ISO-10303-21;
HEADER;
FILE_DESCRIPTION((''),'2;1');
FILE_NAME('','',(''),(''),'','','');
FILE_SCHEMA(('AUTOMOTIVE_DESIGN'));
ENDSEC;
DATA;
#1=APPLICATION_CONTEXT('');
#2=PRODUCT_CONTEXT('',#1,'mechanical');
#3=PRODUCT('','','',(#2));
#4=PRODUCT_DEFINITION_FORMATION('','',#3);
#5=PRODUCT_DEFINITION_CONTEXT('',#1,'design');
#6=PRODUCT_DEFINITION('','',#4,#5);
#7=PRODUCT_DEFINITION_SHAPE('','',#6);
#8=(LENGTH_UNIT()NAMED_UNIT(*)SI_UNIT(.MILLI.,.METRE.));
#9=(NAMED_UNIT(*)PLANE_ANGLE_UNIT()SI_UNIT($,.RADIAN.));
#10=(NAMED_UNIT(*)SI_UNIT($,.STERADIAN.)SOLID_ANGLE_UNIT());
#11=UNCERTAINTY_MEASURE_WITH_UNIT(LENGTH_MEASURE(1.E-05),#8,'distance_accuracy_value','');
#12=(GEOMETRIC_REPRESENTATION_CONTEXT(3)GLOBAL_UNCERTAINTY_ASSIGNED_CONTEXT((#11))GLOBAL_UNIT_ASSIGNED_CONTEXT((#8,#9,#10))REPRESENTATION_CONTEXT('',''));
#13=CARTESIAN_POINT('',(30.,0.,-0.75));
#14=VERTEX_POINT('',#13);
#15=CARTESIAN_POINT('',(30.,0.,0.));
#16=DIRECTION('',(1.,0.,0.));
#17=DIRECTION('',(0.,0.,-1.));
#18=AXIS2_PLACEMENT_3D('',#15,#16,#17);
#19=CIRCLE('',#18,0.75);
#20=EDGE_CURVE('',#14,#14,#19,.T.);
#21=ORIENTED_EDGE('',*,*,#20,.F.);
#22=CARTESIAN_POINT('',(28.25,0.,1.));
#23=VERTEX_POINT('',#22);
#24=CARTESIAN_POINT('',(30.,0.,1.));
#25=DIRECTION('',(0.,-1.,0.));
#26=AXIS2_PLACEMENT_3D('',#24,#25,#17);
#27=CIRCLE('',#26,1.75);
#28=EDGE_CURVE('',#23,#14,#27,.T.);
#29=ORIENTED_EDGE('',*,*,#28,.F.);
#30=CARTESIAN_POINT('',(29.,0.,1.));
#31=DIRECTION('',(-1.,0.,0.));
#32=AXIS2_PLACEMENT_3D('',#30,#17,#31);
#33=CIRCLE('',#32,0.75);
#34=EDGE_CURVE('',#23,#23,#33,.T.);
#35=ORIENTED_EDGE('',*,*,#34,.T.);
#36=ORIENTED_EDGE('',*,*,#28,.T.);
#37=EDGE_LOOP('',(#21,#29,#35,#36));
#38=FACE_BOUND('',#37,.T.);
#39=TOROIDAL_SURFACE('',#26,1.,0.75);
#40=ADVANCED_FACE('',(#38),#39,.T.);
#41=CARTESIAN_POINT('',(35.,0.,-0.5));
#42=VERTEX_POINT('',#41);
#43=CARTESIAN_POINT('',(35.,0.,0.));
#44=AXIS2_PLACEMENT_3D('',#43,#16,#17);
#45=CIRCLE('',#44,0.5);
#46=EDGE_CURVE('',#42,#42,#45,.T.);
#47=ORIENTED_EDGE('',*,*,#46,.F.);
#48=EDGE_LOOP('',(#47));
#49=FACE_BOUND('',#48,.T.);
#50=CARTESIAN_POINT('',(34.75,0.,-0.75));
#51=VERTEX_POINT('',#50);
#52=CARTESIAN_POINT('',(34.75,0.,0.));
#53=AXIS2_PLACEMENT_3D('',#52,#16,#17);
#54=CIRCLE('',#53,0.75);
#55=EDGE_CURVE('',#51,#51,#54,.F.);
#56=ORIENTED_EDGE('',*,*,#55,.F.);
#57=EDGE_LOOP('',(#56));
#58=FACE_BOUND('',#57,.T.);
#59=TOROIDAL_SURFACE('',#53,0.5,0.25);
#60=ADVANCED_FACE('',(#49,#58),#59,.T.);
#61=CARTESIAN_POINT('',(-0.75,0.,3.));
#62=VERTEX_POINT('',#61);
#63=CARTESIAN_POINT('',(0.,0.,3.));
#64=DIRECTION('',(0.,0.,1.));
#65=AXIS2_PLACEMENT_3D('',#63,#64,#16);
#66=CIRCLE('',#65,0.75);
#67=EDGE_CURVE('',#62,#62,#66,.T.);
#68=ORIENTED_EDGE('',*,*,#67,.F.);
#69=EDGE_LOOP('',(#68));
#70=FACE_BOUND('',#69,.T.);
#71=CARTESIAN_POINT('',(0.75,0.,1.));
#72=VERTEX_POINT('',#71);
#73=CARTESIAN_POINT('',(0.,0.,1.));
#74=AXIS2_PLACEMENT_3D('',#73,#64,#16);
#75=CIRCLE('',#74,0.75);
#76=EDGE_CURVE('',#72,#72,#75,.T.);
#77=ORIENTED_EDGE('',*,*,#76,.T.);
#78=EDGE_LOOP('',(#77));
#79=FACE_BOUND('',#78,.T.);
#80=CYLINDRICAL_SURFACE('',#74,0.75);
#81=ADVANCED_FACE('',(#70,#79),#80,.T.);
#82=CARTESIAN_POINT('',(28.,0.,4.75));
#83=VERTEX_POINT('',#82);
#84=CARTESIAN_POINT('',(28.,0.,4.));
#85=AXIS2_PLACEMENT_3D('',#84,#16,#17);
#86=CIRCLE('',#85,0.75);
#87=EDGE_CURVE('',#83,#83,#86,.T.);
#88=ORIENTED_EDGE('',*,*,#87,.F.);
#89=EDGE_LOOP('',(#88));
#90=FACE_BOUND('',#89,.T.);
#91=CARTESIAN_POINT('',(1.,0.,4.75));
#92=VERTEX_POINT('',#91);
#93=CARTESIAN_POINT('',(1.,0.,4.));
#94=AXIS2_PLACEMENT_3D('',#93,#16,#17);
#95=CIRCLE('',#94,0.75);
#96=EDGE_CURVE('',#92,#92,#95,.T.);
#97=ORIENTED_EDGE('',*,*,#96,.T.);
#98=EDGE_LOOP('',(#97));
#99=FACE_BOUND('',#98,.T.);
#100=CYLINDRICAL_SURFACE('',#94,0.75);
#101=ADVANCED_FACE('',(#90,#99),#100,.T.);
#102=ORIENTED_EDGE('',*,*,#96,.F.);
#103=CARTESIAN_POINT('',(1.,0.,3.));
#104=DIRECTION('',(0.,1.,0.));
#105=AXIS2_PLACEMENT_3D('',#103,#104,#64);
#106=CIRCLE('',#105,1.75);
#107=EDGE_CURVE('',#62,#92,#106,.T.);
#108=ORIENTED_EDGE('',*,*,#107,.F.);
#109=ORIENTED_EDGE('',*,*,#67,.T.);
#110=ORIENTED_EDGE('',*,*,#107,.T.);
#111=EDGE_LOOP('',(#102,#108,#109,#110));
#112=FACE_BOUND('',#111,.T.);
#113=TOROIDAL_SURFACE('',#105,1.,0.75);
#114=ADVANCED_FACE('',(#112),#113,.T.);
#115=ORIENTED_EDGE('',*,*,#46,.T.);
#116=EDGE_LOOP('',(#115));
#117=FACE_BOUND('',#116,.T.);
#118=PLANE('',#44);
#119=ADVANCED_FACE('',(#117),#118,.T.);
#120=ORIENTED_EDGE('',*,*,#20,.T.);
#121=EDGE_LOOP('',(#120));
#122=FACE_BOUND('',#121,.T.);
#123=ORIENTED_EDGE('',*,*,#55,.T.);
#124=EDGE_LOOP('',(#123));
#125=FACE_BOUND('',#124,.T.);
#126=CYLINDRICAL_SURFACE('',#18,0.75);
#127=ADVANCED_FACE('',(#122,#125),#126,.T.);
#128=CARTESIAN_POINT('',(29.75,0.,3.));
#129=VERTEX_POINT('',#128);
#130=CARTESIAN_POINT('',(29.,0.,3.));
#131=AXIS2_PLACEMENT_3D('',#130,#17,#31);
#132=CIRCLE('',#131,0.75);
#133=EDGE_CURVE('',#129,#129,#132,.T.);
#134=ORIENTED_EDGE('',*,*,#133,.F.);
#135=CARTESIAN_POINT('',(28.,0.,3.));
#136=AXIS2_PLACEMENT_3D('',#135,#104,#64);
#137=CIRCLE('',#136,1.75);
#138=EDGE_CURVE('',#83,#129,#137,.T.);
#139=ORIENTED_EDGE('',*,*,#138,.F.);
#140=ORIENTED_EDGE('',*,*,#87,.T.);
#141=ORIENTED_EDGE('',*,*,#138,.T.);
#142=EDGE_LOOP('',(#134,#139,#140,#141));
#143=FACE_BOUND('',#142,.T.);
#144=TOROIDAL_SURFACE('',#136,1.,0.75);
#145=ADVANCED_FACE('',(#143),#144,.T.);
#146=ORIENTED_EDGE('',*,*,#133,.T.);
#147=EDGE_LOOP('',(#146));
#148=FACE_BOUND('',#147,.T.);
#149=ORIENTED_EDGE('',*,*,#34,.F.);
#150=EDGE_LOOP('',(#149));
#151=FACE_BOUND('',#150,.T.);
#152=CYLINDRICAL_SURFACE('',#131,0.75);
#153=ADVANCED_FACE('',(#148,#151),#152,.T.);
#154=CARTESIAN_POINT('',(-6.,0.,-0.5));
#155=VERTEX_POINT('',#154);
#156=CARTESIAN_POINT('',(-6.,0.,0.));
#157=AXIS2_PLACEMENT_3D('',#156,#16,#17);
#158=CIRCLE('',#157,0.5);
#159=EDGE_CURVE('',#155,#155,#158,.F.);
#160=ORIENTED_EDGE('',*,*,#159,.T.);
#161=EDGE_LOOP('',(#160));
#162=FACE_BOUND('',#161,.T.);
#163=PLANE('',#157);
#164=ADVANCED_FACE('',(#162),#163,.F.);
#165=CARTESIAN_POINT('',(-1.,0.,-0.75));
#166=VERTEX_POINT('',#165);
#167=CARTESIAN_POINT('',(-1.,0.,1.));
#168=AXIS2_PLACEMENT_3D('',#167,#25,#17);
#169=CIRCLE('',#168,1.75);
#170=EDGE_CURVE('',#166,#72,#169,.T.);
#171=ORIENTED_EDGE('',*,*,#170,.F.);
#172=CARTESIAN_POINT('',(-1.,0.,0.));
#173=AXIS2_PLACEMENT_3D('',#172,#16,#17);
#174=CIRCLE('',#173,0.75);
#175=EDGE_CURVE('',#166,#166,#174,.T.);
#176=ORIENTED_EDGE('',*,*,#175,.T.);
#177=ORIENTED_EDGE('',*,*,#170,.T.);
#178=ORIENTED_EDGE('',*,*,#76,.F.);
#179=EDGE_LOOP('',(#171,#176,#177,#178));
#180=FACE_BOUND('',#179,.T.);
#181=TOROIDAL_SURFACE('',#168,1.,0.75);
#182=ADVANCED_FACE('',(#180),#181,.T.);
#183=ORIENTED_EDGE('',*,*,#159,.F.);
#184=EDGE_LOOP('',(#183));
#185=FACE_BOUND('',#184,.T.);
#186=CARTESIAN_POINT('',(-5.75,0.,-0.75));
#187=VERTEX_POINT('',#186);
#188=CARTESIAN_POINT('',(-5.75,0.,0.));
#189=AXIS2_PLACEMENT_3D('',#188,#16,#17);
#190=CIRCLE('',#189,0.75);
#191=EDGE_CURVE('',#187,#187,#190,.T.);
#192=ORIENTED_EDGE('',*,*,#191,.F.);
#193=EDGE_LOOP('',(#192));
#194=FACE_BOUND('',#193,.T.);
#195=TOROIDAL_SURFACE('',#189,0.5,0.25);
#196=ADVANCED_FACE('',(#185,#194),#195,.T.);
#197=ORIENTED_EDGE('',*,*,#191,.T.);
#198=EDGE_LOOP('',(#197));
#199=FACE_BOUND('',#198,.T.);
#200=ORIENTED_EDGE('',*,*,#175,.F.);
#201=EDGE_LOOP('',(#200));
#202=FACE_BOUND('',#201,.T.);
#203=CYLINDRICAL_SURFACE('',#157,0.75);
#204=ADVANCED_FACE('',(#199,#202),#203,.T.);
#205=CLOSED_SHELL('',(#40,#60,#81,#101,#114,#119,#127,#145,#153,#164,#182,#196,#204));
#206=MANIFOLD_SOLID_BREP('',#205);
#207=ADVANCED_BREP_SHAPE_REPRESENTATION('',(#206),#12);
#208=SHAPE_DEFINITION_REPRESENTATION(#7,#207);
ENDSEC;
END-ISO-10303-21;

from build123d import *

# Parameters (mm, degrees)
SKETCH3_R = 0.75
FILLET1_R = 0.25


with BuildPart() as part:
    # Sweep1: sweep along a path in Sketch1
    with BuildLine(Plane(origin=(0, 0, 0), x_dir=(1, 0, 0), z_dir=(0, 1, 0))) as sweep1_path:
        Line((-6, 0), (-1, 0))
        ThreePointArc((-1, 0), (-0.292893219, -0.292893219), (0, -1))
        Line((0, -1), (0, -3))
        ThreePointArc((0, -3), (0.292893219, -3.707106781), (1, -4))
        Line((1, -4), (28, -4))
        ThreePointArc((28, -4), (28.707106781, -3.707106781), (29, -3))
        Line((29, -3), (29, -1))
        ThreePointArc((29, -1), (29.292893219, -0.292893219), (30, 0))
        Line((30, 0), (35, 0))
    # Sketch3 → Sweep1 (sweep)
    with BuildSketch(Plane(origin=(-6, 0, 0), x_dir=(0, 0, -1), z_dir=(1, 0, 0))):
        Circle(SKETCH3_R)
    sweep(path=sweep1_path.line)

    # Fillet1
    fillet1_edges = [part.edges().sort_by_distance(p)[0] for p in [
        (35, 0, 0.75),
        (-6, 0, 0.75),
    ]]
    fillet(fillet1_edges, radius=FILLET1_R)


solid = part.part
